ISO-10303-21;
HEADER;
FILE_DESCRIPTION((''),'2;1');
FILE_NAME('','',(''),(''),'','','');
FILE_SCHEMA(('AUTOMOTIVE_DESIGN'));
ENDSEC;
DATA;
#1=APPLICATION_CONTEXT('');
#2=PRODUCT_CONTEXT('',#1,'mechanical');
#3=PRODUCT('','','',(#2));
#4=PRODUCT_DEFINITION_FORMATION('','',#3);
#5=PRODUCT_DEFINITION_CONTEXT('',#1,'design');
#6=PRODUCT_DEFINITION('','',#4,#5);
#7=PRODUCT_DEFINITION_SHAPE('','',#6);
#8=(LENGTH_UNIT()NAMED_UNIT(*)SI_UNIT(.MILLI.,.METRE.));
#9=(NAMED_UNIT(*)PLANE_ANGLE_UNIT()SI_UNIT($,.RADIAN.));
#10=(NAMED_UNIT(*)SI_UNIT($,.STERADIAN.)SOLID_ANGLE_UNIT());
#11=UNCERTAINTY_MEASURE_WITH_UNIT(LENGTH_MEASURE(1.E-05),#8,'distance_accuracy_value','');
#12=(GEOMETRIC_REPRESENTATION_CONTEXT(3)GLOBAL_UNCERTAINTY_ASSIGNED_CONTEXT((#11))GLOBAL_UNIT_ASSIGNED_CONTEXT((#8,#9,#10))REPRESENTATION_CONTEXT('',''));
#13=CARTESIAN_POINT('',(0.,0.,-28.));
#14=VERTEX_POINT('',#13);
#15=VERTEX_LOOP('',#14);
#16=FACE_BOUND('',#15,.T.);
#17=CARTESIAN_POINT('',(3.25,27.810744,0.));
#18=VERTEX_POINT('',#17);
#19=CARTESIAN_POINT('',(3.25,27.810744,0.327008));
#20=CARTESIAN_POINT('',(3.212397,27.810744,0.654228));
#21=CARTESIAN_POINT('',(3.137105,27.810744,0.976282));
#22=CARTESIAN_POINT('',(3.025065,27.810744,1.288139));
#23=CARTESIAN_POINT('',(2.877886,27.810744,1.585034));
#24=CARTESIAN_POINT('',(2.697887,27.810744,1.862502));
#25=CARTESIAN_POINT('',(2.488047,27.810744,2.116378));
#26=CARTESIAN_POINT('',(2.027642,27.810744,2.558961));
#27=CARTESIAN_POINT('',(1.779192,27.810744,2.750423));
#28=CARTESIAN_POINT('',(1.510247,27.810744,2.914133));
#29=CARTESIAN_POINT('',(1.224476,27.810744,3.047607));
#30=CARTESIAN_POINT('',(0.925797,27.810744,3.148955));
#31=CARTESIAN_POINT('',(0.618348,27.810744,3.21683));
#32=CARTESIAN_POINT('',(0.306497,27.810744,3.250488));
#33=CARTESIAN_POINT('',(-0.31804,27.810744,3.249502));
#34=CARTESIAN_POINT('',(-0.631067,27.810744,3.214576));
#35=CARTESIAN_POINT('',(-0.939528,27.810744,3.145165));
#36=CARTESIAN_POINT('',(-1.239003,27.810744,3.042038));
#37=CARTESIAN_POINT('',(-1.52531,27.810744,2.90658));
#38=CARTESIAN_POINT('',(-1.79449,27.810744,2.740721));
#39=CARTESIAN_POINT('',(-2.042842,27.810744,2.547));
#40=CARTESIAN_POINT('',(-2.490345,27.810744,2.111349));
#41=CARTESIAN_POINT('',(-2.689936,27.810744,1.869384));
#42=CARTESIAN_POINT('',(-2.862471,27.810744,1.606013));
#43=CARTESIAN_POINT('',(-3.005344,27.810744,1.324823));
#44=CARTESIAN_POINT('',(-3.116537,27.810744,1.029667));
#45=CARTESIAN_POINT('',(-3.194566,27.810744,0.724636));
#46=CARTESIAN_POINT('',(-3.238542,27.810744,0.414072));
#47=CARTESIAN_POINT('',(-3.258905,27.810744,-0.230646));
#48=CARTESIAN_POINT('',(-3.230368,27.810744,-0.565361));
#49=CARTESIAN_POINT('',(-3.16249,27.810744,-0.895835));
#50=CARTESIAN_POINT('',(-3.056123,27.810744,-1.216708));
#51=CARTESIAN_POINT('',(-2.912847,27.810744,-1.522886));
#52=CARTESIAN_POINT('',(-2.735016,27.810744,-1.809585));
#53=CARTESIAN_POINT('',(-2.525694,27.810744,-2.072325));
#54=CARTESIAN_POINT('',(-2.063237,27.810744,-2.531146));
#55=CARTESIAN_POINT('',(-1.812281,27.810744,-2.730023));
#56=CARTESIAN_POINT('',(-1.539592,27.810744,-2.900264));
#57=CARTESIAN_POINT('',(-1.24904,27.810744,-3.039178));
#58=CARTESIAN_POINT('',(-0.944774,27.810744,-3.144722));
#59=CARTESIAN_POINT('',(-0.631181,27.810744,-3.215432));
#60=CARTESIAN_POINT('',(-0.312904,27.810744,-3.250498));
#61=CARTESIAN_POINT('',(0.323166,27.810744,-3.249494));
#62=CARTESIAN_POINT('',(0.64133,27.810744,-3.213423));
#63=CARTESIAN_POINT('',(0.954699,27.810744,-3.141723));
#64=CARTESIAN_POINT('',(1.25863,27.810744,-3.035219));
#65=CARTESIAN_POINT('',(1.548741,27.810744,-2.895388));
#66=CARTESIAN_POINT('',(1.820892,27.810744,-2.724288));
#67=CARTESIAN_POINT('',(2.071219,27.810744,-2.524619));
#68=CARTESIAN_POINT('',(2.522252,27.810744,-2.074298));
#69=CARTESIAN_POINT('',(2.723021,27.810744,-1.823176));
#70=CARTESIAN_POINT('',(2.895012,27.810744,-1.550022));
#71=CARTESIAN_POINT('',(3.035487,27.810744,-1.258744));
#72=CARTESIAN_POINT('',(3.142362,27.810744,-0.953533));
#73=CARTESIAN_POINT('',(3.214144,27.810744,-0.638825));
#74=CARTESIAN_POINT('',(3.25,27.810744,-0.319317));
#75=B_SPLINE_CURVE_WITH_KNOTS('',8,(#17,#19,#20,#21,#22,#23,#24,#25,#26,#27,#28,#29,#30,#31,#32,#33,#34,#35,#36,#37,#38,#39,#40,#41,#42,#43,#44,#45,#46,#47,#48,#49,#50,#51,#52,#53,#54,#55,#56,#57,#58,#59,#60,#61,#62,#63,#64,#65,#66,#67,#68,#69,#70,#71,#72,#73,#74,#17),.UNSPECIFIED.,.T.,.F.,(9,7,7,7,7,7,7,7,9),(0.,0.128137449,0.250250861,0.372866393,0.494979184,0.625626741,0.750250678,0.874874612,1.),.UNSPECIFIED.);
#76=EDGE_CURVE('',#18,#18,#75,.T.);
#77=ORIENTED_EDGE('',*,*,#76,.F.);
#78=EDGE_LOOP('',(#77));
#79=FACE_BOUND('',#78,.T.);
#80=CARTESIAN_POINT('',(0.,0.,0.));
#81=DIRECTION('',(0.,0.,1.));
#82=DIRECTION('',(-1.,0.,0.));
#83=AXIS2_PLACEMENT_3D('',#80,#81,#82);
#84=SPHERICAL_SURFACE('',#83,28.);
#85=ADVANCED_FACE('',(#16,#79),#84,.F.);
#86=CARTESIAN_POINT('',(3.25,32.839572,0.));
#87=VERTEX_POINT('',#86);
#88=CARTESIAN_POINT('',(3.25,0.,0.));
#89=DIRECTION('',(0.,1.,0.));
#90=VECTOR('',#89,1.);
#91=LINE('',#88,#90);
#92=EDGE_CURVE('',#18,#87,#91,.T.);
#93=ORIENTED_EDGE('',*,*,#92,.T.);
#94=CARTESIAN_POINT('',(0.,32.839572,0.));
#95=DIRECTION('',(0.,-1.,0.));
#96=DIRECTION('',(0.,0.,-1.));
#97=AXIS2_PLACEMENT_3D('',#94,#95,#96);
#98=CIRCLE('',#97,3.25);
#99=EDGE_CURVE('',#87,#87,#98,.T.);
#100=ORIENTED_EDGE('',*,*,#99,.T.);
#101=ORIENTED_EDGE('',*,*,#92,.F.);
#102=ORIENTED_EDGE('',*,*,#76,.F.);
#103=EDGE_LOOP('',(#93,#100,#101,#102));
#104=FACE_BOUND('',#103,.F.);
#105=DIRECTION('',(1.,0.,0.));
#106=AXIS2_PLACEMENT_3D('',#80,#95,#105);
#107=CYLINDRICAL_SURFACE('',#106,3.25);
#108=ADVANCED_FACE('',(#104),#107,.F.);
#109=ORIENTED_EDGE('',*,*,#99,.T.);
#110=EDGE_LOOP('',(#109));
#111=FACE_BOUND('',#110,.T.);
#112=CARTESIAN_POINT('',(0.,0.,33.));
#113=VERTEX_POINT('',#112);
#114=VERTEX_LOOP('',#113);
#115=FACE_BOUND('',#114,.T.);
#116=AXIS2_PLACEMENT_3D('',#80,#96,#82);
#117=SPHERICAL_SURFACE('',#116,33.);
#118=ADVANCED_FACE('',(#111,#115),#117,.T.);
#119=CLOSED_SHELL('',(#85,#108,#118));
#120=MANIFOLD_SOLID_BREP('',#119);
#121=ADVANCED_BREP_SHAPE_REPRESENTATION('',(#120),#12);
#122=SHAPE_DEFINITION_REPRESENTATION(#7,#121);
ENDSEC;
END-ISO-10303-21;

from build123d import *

# Parameters (mm, degrees)
F3_D     = 6.5
F3_DEPTH = 33
F3_TIP   = 1.9527970118


with BuildPart() as f1:
    # F0 (on Front) → F1 (revolve)
    with BuildSketch(Plane.XZ):
        with BuildLine():
            Line((0, 28), (0, 33))
            ThreePointArc((0, 33), (-33, 0), (0, -33))
            Line((0, -33), (0, -28))
            ThreePointArc((0, -28), (-28, 0), (0, 28))
        make_face()
    revolve(axis=Axis((0, 0, 30.5), (0, 0, -1)))

    # F3 (one way)
    with BuildSketch(Plane.XZ):
        with Locations((0, 0)):
            Circle(F3_D / 2)
    extrude(amount=-F3_DEPTH, mode=Mode.SUBTRACT)
    with Locations(Plane.XZ):
        with Locations((0, 0)):
            with Locations((0, 0, -(F3_DEPTH + F3_TIP / 2))):  # 118° drill point
                Cone(0, F3_D / 2, F3_TIP, mode=Mode.SUBTRACT)


solid = f1.part
